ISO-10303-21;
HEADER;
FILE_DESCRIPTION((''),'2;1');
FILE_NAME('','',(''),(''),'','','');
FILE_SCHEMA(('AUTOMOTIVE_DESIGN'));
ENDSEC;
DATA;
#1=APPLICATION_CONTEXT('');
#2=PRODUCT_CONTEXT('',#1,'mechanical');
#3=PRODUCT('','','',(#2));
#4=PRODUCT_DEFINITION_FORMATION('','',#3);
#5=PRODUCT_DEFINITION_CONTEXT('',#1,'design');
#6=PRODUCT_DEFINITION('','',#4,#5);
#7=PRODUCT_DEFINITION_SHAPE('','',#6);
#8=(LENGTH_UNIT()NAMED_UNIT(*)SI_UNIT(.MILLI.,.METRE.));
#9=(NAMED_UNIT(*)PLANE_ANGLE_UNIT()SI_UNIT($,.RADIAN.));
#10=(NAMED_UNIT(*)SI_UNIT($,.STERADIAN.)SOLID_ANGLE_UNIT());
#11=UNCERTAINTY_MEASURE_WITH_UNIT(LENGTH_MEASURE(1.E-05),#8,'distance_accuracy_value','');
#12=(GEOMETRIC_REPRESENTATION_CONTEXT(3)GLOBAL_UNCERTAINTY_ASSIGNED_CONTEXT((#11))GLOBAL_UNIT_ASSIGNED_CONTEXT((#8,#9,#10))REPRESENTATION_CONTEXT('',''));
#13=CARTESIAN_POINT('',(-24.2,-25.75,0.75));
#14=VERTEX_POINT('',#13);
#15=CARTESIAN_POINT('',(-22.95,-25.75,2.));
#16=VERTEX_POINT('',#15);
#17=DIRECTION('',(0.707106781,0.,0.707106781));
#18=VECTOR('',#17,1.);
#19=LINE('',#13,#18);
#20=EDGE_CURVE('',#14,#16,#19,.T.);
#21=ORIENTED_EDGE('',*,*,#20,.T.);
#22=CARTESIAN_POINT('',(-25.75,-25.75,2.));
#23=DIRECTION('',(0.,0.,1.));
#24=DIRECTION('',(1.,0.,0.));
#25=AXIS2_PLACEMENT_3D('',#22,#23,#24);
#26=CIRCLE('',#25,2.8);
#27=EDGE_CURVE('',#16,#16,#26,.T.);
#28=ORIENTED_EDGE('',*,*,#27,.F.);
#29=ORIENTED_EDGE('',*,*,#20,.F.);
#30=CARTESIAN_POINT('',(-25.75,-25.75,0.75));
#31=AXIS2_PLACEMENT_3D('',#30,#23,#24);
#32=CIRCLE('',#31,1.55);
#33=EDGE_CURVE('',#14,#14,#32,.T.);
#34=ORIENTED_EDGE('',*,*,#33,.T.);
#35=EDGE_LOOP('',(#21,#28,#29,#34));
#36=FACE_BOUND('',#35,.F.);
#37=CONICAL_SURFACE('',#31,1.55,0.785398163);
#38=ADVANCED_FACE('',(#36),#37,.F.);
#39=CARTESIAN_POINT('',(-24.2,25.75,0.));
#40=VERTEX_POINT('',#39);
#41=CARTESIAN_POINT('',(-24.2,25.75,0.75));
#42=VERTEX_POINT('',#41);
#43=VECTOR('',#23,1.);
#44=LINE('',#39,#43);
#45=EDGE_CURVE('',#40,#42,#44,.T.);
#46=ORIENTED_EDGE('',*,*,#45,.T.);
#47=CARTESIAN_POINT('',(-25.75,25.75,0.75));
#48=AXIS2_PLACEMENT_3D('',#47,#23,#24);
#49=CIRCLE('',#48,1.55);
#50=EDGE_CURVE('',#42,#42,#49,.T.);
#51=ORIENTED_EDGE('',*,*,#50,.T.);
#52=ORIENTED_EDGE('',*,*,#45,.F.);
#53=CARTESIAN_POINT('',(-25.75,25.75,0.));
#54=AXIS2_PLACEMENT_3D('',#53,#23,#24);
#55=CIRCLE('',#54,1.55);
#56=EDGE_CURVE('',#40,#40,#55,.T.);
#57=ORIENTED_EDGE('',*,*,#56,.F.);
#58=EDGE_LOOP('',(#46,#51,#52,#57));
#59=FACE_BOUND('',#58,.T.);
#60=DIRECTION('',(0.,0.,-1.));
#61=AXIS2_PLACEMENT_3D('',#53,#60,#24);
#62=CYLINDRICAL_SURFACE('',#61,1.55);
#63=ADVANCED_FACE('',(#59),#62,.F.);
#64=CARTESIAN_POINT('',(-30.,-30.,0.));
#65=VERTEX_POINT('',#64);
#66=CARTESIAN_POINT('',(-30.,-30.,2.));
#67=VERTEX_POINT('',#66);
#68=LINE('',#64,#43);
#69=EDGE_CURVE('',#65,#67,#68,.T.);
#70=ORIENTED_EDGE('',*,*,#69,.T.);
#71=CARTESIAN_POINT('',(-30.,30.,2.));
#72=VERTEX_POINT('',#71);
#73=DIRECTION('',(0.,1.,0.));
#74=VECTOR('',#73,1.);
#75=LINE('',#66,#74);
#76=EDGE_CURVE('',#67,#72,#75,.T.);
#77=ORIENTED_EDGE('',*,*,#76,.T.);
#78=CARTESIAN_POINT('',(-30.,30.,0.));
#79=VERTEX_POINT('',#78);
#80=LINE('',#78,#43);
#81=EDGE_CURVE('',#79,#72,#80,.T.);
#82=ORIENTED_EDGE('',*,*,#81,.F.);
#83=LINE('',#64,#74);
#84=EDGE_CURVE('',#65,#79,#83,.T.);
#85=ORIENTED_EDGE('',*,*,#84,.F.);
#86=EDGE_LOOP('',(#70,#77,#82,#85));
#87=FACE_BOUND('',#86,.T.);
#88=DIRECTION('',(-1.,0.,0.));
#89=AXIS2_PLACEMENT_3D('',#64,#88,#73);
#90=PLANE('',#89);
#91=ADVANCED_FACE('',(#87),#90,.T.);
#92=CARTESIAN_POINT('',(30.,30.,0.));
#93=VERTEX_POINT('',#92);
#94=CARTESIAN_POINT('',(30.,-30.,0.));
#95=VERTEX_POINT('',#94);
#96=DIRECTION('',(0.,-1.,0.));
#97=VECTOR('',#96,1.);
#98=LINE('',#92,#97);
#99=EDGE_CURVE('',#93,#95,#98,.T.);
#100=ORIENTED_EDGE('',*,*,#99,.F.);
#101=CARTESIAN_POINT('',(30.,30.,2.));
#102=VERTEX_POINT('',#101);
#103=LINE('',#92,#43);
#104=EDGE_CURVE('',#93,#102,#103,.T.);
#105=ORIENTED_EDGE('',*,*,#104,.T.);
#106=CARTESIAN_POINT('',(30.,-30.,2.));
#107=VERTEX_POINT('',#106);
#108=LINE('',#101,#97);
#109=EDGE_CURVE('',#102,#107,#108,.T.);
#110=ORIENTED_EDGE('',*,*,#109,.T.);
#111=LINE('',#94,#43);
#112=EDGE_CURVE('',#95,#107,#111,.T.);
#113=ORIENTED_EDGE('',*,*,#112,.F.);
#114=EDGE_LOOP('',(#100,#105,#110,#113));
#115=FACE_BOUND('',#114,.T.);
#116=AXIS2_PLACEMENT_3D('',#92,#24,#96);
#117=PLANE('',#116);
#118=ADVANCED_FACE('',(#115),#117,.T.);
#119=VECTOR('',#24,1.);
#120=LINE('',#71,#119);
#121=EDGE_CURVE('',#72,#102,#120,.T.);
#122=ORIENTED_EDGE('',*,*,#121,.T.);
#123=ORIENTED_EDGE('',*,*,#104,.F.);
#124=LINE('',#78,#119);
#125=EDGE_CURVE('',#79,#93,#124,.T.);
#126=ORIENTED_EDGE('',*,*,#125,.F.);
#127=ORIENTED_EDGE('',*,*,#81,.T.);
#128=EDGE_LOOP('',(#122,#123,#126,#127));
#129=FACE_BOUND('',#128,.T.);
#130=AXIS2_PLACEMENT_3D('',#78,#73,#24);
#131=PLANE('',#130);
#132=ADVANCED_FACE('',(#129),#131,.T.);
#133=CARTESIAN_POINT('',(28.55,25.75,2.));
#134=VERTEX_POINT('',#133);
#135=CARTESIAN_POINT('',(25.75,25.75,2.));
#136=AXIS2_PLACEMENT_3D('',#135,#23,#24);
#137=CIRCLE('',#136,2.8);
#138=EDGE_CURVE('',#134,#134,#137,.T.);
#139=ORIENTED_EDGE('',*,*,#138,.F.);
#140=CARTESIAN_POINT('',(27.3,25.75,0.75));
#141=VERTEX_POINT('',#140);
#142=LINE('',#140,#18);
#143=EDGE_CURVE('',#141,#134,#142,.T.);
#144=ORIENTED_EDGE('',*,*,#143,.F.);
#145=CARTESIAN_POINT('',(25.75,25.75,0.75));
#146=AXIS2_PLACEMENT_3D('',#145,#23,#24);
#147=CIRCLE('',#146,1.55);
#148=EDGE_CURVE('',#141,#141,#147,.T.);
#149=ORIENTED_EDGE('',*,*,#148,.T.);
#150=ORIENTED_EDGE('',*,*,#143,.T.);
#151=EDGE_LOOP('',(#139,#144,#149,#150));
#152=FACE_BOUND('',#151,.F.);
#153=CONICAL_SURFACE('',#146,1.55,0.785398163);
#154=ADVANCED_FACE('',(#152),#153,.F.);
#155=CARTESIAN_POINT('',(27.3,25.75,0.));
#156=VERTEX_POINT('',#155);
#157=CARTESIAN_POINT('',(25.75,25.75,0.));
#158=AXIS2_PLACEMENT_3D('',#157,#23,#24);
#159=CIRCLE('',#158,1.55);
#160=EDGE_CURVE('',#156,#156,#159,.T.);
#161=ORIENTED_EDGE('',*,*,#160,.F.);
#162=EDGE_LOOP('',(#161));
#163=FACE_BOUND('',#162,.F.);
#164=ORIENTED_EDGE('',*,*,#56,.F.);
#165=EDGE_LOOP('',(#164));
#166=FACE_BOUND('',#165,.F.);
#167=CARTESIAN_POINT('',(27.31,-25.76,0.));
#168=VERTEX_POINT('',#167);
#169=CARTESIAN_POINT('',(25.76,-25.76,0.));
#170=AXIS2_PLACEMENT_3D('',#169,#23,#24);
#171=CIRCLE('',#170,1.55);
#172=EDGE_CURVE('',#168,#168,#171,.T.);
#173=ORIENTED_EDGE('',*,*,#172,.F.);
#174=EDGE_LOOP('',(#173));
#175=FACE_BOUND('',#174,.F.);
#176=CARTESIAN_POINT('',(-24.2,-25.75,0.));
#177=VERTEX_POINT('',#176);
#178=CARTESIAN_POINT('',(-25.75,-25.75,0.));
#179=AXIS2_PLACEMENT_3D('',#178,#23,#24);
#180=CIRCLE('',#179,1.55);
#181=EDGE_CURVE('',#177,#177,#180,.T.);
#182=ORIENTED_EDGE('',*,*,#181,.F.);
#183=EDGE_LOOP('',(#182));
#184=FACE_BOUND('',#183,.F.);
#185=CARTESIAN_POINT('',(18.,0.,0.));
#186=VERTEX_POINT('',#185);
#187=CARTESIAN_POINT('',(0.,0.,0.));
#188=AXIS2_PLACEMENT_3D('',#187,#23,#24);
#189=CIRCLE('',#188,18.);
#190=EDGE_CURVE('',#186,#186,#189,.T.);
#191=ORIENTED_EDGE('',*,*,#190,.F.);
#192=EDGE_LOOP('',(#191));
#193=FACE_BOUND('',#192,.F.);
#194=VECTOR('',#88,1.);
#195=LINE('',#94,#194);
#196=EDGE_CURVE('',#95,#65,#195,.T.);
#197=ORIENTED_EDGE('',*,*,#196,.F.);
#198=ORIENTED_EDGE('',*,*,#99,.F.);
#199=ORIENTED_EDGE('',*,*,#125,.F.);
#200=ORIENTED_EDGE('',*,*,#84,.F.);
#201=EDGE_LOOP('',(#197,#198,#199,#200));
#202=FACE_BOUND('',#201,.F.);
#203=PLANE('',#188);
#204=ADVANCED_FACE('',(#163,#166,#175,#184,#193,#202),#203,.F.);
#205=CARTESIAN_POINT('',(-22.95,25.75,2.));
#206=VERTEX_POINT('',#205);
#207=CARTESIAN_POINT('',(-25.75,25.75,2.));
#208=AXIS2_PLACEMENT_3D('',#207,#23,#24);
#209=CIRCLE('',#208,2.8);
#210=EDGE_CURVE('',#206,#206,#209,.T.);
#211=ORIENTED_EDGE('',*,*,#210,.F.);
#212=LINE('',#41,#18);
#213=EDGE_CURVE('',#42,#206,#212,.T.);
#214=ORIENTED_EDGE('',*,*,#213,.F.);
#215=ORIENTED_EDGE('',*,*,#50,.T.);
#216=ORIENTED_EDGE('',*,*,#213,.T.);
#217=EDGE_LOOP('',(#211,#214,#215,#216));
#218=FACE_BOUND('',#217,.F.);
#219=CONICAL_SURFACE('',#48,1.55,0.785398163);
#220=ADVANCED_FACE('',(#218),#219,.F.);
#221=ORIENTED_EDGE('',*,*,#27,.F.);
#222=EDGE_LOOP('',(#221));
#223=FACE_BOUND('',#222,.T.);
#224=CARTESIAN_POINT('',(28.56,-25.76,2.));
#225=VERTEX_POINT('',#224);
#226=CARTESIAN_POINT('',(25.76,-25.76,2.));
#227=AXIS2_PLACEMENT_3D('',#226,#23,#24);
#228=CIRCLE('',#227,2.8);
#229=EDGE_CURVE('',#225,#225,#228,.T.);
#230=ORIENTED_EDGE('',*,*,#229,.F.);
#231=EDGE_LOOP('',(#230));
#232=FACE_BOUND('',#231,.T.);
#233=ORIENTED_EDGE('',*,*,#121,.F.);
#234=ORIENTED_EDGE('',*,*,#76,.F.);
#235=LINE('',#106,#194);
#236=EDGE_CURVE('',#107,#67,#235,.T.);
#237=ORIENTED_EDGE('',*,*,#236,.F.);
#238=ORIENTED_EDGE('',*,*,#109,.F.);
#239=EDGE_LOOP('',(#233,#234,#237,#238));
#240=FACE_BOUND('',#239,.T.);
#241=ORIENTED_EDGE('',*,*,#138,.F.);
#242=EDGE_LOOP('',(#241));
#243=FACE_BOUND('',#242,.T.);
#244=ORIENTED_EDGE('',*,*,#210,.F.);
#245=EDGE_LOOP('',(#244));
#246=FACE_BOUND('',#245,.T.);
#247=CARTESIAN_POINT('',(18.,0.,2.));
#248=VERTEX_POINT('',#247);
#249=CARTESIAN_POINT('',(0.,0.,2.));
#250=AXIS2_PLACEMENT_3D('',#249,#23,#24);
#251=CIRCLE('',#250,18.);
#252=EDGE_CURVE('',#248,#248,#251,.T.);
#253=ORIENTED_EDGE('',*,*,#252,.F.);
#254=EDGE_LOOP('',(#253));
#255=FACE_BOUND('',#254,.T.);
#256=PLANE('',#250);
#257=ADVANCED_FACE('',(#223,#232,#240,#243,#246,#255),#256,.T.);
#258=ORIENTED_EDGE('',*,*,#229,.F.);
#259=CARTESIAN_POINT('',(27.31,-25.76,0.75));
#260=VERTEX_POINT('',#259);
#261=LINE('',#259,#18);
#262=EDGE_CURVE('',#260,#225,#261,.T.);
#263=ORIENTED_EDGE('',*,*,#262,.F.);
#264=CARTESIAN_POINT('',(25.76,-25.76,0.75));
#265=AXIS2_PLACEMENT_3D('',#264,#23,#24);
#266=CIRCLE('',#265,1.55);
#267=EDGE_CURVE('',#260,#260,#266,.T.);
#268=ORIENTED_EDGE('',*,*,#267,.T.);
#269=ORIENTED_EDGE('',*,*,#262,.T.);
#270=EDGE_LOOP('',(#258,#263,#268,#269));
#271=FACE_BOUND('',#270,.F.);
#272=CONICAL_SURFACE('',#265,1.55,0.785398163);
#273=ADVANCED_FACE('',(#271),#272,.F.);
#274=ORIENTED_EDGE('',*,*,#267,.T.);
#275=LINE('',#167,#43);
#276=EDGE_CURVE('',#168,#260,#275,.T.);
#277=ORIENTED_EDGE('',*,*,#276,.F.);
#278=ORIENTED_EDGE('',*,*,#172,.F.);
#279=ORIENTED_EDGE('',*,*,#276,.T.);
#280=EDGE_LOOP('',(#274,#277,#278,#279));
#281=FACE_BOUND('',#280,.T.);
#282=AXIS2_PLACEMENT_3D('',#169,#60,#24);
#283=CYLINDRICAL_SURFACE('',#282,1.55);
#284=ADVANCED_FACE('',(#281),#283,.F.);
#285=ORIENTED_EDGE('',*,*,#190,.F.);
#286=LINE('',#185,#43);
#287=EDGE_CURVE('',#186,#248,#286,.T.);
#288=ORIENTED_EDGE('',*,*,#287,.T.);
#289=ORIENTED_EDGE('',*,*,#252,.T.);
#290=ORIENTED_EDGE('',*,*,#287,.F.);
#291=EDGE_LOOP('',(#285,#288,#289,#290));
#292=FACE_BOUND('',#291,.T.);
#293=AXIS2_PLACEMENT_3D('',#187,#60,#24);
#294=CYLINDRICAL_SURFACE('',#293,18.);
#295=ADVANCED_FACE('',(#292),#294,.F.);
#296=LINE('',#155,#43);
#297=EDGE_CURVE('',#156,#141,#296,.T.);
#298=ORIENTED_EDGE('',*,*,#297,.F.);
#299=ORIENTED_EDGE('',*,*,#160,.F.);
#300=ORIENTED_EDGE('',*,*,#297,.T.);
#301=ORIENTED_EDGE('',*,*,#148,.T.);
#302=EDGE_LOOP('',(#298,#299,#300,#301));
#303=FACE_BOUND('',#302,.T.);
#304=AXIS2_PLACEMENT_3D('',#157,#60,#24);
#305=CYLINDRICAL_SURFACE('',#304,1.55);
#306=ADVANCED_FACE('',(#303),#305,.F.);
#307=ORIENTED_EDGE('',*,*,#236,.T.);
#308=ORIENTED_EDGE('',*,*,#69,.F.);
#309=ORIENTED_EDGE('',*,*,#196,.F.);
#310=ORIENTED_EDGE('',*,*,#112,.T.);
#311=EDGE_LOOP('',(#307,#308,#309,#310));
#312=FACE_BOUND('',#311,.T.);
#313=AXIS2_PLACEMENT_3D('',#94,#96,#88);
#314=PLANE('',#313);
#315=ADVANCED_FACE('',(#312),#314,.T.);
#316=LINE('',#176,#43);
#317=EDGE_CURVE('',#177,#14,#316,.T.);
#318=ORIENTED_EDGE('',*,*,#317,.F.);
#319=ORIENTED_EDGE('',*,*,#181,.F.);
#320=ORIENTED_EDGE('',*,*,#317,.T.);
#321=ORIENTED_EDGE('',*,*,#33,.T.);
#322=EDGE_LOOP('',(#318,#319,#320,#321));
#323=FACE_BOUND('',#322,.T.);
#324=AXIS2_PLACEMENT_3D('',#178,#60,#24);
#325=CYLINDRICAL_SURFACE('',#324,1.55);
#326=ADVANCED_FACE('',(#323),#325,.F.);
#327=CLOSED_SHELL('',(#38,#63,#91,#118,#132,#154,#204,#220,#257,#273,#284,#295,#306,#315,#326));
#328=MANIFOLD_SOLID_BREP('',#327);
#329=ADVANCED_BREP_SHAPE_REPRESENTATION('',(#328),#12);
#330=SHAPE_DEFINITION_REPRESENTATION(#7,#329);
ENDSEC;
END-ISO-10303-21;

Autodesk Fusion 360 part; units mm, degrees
sketch "Sketch1" plane through (0, 0, 0) normal (0, 0, 1) x (1, 0, 0)
  line L0 (-30, 30) -> (30, 30)
  line L1 (30, 30) -> (30, -30)
  line L2 (30, -30) -> (-30, -30)
  line L3 (-30, -30) -> (-30, 30)
  line L4 (-30, 30) -> (30, -30) construction
  line L5 (30, 30) -> (-30, -30) construction
  circle A0 centre (-25.75, 25.75) radius 1.55
  circle A1 centre (25.75, 25.75) radius 1.55
  circle A2 centre (25.76, -25.76) radius 1.55
  circle A3 centre (-25.75, -25.75) radius 1.55
  circle A4 centre (0, 0) radius 18
  dimension "d1" = 60
  dimension "d2" = 60
  dimension "d3" = 3.1
  dimension "d4" = 3.1
  dimension "d5" = 3.1
  dimension "d6" = 3.1
  dimension "d7" = 4.24
  dimension "d8" = 4.25
  dimension "d9" = 4.25
  dimension "d10" = 4.25
  dimension "d11" = 36
extrude "Extrude1" add sketch "Sketch1" along normal blind 2
chamfer "Chamfer1" distance 1.25 angle 45 4 edges at (-27.1951, 26.3105, 2) (24.3049, 26.3105, 2) (24.3149, -25.1995, 2) (-27.1951, -25.1895, 2)
